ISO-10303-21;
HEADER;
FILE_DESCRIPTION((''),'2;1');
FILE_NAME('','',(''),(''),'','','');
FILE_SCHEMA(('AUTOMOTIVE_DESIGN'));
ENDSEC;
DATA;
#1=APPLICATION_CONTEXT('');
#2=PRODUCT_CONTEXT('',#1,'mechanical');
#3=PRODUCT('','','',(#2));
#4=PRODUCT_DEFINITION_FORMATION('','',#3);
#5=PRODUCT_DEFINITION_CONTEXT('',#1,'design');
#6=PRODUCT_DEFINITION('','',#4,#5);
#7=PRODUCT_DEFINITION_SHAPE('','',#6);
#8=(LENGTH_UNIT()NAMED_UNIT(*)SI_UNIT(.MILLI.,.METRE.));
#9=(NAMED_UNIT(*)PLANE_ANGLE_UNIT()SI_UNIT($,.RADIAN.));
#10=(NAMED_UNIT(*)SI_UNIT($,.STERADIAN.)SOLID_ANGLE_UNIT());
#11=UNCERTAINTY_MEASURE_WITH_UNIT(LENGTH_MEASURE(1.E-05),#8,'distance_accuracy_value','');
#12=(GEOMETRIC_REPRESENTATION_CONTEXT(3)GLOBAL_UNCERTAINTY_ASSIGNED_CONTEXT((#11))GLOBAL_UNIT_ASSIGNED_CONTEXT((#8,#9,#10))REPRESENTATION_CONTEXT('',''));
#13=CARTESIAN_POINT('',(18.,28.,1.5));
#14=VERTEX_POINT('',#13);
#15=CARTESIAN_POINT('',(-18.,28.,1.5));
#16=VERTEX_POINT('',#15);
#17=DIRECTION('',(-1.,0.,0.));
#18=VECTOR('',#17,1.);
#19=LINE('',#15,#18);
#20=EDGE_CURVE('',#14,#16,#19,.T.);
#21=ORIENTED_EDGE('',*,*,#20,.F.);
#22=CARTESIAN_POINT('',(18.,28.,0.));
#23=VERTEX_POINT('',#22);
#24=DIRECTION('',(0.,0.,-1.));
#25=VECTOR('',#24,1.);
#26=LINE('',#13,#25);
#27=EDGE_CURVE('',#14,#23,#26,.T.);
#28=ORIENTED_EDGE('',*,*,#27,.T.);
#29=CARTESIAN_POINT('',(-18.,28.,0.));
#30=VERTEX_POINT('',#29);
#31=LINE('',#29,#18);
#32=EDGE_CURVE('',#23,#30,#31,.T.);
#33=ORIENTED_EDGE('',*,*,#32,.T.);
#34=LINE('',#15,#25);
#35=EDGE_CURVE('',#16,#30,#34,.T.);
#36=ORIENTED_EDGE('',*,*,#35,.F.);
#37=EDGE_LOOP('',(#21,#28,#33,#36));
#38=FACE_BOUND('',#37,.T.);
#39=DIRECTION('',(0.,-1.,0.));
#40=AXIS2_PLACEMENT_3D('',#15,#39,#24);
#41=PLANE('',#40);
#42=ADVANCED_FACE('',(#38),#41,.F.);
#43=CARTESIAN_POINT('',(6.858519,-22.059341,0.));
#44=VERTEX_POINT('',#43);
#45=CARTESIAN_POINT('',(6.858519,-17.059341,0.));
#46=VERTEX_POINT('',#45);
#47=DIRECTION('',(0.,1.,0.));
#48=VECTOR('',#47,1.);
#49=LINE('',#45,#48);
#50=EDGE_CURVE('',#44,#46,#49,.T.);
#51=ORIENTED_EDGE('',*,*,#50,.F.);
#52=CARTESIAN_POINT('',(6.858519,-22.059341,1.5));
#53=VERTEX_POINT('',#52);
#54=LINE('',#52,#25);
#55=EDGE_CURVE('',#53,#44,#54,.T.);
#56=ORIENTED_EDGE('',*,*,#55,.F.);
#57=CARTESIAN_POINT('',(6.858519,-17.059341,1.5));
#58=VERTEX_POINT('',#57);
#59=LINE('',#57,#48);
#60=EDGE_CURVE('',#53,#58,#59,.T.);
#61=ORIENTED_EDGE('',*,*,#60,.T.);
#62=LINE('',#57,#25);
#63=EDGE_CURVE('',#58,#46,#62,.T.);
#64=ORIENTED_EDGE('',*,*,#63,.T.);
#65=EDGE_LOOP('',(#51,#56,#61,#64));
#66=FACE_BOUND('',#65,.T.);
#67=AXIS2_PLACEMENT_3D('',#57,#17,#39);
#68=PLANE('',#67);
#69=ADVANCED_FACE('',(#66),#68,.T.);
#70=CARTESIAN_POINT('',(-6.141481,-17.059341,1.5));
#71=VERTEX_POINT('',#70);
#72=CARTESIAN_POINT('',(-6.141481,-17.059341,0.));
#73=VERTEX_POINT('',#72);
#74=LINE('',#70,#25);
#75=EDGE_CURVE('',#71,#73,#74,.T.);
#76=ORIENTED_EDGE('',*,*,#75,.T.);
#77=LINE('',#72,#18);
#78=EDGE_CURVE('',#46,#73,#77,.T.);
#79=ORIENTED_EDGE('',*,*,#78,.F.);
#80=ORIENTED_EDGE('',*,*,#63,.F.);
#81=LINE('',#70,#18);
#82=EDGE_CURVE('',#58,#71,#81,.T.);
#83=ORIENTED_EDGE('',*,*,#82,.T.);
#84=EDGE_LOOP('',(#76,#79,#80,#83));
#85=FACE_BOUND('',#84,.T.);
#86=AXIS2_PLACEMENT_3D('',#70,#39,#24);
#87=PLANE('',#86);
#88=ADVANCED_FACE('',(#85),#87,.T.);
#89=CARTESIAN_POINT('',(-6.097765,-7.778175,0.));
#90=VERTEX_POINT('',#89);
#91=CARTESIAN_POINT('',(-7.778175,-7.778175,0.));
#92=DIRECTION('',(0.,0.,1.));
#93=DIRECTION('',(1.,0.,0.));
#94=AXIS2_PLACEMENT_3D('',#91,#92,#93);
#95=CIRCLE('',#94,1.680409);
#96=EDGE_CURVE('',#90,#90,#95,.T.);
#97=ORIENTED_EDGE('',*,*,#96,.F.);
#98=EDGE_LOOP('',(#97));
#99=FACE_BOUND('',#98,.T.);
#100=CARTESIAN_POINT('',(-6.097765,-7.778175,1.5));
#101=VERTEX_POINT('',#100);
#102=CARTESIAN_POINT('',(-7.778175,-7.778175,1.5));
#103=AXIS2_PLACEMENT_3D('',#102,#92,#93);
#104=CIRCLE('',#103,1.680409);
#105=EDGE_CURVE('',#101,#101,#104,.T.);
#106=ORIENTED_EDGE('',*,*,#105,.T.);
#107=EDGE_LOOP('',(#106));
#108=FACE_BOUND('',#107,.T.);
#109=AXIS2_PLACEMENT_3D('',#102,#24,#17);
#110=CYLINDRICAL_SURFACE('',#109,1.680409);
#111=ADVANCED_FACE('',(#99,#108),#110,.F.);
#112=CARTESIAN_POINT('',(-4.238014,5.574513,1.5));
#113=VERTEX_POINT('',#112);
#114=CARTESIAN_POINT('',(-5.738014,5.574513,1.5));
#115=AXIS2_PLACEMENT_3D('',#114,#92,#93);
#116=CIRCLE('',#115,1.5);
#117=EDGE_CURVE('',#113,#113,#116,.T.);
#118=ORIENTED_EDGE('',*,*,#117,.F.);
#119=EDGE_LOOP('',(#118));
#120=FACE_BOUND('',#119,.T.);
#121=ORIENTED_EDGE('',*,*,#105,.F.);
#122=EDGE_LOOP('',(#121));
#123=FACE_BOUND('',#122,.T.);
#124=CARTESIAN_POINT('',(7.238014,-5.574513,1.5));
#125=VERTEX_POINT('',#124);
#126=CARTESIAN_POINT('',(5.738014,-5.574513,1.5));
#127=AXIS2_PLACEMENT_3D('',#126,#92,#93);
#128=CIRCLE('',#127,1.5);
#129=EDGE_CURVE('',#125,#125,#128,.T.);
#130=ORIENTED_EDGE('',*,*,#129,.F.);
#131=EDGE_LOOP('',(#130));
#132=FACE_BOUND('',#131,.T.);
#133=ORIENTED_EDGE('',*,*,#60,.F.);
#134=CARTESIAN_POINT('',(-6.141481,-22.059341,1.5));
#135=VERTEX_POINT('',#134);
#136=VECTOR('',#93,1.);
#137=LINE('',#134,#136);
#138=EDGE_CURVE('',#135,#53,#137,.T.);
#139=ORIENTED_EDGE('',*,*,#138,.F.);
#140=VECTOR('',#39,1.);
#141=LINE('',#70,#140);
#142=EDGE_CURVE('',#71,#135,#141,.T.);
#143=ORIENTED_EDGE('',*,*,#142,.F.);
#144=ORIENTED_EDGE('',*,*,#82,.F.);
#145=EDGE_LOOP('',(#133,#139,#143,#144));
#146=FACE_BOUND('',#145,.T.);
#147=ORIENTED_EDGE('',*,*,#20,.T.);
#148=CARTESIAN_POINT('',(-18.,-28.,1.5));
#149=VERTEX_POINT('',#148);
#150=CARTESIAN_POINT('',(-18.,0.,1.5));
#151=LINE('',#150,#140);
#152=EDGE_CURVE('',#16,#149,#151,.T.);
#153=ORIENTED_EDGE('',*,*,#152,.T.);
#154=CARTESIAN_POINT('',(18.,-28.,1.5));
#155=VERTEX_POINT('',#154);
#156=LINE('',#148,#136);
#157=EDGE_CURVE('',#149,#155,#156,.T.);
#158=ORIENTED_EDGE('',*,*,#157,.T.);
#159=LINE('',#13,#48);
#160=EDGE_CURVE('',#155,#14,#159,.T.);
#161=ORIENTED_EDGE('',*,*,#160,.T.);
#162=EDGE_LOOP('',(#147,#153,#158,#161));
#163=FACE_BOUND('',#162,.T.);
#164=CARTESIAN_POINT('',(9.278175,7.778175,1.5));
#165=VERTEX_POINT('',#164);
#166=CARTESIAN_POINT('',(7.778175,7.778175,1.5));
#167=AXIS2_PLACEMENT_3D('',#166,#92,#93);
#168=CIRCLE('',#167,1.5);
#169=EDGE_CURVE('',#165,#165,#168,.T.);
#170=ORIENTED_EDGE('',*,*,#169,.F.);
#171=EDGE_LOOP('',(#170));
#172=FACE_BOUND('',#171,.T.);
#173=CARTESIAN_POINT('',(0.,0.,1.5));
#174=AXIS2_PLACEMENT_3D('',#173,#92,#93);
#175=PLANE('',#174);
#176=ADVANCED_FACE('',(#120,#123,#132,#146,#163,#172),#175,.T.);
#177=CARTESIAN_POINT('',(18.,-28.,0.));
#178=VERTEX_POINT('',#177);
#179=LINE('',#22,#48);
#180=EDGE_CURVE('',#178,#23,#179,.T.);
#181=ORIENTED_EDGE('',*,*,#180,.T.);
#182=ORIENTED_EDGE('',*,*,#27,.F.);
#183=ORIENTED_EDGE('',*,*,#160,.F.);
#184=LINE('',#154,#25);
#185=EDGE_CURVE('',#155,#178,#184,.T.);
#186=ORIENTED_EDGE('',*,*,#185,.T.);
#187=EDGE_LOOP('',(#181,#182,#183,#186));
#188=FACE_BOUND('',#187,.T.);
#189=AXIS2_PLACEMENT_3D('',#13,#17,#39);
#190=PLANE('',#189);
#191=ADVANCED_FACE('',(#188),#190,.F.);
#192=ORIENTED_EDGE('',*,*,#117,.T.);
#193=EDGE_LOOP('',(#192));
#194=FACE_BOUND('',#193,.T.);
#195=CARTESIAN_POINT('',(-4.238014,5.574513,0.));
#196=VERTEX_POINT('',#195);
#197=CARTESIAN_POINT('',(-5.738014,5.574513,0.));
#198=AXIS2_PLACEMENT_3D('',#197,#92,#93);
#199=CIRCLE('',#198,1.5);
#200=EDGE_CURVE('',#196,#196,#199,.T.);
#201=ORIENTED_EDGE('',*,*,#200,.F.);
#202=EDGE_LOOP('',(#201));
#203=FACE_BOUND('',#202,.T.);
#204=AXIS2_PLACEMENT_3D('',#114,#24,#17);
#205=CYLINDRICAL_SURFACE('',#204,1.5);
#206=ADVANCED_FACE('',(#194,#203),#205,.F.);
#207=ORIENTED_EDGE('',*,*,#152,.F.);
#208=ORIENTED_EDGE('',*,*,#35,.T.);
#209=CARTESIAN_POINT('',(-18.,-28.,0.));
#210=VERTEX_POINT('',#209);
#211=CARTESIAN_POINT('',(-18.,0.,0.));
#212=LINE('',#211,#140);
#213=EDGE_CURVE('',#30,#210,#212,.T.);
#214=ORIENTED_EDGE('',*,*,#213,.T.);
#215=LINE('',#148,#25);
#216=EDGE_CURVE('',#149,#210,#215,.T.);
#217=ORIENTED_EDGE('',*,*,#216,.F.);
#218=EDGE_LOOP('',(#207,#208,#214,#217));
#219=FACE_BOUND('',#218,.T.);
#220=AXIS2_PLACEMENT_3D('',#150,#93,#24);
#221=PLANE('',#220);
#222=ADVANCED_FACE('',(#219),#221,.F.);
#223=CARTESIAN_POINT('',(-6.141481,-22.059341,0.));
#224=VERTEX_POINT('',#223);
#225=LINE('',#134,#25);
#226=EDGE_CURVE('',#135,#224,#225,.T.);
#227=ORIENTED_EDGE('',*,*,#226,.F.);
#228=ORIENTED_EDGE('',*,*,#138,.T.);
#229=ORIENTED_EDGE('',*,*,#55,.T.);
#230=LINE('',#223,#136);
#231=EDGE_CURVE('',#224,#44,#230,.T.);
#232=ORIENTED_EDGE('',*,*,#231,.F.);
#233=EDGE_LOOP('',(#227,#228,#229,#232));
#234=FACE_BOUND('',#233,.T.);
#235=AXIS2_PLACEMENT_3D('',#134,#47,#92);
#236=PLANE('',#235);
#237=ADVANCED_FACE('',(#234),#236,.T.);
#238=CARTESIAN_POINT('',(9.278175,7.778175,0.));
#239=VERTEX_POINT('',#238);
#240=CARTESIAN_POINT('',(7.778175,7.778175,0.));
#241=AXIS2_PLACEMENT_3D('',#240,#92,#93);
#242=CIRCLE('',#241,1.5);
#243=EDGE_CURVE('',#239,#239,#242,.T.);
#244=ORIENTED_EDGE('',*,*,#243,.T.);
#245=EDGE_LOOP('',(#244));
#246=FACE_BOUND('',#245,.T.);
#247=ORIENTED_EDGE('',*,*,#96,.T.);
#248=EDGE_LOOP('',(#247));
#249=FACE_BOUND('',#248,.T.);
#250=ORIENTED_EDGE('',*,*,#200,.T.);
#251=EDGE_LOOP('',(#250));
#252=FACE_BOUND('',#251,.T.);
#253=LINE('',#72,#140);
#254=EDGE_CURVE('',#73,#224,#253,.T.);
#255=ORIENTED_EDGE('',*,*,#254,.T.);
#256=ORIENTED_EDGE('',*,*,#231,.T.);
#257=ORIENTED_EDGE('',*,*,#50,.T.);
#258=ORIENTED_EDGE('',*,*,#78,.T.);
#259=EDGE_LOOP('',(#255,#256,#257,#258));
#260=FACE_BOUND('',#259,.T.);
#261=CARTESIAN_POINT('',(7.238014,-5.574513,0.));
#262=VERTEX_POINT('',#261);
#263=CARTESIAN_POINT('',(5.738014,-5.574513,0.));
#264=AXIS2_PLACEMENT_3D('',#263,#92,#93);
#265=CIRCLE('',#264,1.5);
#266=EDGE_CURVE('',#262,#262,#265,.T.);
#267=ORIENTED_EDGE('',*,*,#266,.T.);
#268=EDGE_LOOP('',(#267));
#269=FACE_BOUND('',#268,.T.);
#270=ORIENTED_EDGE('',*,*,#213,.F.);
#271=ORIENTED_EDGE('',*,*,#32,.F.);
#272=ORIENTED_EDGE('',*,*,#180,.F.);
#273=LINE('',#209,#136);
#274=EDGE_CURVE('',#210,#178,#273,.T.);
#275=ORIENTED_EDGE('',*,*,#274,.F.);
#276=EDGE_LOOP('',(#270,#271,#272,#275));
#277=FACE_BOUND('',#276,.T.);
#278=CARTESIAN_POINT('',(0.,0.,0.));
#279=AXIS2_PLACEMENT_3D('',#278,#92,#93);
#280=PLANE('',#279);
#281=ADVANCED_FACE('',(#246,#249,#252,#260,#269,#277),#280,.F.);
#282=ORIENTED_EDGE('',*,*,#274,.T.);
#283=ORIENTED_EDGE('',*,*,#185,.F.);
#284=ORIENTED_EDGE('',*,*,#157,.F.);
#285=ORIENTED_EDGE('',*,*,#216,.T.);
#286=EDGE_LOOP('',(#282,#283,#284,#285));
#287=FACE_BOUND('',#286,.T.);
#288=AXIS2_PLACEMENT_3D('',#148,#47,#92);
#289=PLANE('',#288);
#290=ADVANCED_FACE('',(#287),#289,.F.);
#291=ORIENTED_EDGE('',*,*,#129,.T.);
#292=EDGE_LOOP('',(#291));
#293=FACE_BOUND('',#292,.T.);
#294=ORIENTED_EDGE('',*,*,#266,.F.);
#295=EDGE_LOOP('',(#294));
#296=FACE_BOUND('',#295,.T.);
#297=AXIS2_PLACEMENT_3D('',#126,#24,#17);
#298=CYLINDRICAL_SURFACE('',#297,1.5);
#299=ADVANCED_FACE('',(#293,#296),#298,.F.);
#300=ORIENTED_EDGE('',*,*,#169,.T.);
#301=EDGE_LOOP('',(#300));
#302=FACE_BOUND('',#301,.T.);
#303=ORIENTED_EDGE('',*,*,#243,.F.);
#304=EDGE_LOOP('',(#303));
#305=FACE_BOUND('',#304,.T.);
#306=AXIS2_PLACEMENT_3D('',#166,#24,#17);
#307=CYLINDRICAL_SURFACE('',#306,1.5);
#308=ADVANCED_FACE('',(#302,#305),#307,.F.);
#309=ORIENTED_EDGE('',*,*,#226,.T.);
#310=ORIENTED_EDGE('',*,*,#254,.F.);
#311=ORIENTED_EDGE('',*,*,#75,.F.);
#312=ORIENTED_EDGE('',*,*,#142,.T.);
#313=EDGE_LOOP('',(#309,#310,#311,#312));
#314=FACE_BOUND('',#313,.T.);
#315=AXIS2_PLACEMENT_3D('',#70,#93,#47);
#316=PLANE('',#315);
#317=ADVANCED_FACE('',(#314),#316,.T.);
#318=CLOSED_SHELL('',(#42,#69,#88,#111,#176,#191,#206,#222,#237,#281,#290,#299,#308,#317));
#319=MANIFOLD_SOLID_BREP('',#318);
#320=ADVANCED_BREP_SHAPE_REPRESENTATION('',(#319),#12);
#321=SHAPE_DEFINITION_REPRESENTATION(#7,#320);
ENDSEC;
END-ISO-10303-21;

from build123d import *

# Parameters (mm, degrees)
SKETCH1_R           = 1.5
SKETCH1_R_2         = 1.680409227
SKETCH1_W           = 13
SKETCH1_H           = 5
BOSS_EXTRUDE3_DEPTH = 1.5


with BuildPart() as part:
    # Sketch1 → Boss-Extrude3 (new body)
    with BuildSketch(Plane.XY):
        Polygon((-18, 0), (-18, 28), (18, 28), (18, -28), (-18, -28), align=None)
        with Locations((7.778174593, 7.778174593)):
            Circle(SKETCH1_R, mode=Mode.SUBTRACT)
        with Locations((-5.73801436, 5.574512642)):
            Circle(SKETCH1_R, mode=Mode.SUBTRACT)
        with Locations((-7.778174593, -7.778174593)):
            Circle(SKETCH1_R_2, mode=Mode.SUBTRACT)
        with Locations((5.73801436, -5.574512642)):
            Circle(SKETCH1_R, mode=Mode.SUBTRACT)
        with Locations((0.358519309, -19.559341262)):
            Rectangle(SKETCH1_W, SKETCH1_H, mode=Mode.SUBTRACT)
    extrude(amount=BOSS_EXTRUDE3_DEPTH)


solid = part.part
